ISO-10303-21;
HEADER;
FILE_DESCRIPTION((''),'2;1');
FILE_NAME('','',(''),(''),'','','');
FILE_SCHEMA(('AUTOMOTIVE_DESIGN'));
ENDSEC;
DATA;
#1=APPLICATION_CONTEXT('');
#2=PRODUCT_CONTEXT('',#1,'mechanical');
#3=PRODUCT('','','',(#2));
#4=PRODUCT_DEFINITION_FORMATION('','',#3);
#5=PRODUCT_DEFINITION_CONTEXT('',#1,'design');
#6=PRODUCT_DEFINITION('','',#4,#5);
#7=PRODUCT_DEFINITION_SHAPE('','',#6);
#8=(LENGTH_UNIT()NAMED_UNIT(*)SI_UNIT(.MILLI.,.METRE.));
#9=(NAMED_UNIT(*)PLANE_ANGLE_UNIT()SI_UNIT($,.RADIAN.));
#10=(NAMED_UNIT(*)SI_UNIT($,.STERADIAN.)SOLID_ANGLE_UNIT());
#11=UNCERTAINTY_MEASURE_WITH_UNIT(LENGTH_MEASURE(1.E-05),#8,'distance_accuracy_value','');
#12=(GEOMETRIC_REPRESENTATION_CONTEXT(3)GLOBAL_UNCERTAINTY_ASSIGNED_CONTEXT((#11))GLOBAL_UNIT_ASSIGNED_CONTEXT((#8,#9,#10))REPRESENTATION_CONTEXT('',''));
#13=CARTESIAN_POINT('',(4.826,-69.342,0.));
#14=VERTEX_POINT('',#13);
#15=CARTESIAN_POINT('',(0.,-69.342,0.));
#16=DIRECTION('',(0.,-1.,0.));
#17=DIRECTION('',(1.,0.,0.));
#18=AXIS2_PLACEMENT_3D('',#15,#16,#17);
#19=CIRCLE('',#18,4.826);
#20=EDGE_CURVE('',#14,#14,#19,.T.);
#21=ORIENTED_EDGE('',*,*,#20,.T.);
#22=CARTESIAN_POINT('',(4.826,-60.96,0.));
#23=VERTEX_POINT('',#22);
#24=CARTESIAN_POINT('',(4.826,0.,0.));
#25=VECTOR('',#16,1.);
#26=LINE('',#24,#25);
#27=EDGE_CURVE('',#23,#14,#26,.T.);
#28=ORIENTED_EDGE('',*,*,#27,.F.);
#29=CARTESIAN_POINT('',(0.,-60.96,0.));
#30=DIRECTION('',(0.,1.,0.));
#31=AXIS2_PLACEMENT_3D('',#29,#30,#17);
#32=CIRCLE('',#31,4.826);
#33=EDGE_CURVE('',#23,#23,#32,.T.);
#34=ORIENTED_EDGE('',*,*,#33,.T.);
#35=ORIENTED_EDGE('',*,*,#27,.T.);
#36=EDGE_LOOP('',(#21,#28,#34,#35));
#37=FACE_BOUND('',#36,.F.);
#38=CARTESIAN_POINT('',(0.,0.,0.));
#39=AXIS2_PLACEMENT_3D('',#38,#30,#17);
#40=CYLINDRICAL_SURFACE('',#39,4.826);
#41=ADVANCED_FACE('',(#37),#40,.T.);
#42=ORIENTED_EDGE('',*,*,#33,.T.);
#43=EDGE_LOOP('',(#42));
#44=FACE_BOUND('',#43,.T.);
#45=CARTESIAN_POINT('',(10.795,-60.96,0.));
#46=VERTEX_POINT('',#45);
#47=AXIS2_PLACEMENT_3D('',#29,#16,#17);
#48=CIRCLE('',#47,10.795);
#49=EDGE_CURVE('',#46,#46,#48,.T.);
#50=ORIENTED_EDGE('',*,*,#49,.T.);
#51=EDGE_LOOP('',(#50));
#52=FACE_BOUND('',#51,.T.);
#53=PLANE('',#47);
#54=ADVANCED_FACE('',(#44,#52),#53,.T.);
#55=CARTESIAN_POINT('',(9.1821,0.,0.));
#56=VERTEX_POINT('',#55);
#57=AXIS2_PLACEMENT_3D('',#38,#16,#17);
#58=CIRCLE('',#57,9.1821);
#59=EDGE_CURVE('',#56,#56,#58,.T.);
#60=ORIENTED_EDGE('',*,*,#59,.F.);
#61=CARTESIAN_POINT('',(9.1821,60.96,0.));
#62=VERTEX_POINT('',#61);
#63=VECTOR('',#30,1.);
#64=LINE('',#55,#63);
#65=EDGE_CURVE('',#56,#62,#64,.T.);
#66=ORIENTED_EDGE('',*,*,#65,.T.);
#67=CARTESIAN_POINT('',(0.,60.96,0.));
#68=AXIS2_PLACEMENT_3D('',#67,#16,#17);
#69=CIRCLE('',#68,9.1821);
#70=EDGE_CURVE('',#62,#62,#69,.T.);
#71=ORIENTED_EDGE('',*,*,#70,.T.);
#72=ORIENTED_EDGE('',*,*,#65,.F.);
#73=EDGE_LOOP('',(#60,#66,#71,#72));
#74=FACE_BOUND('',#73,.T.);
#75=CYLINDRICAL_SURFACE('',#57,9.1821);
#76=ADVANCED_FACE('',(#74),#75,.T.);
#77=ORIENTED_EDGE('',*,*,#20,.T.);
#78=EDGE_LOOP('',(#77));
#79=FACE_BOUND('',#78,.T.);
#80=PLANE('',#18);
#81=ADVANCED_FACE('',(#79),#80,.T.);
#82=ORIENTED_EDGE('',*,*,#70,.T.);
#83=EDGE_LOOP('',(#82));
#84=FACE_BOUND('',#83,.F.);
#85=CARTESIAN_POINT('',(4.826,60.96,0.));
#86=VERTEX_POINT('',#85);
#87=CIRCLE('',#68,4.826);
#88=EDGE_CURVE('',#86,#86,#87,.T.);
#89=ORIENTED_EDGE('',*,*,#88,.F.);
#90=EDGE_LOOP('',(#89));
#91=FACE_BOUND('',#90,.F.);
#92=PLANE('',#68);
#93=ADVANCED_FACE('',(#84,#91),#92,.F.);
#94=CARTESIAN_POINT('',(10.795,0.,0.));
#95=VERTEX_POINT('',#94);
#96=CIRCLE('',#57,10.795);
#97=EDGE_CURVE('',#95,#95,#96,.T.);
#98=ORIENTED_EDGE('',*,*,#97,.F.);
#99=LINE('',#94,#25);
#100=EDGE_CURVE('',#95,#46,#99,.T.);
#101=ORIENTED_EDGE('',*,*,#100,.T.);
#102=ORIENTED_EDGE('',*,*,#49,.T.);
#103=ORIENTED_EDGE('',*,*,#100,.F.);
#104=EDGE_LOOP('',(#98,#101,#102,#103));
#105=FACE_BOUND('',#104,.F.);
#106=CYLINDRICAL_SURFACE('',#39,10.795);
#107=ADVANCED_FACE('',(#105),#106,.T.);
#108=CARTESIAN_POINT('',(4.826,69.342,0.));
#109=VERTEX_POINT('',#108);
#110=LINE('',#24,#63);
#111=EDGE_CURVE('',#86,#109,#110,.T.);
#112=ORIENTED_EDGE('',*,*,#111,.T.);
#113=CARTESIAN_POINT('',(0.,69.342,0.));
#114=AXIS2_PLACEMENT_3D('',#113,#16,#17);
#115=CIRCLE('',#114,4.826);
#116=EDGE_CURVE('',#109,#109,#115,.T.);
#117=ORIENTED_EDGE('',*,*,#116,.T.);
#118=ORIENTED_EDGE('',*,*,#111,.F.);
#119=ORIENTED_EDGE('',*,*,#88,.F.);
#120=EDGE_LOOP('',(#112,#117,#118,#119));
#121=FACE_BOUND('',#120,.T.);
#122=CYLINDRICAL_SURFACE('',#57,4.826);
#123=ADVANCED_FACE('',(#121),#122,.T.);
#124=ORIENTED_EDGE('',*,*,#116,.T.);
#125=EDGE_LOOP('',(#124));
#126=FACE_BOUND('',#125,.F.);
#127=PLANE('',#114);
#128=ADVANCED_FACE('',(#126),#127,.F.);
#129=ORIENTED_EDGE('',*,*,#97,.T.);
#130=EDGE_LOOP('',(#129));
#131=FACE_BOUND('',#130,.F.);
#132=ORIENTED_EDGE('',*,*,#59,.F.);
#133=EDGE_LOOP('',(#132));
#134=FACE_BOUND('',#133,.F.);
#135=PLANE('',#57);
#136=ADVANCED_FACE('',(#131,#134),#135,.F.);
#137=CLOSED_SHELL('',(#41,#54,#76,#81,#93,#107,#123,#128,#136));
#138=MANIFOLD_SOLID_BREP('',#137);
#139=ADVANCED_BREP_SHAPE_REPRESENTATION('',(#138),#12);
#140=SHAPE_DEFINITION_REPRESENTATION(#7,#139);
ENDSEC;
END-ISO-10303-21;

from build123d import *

# Parameters (mm, degrees)
F0_R     = 10.795
F0_R_2   = 9.1821
F0_R_3   = 4.826
F1_DEPTH = 60.96
F2_DEPTH = 69.342
F3_DEPTH = 60.96
F4_DEPTH = 69.342


with BuildPart() as f1:
    # F0 (on Front) → F1 (new body)
    with BuildSketch(Plane.XZ):
        Circle(F0_R)
        Circle(F0_R_2, mode=Mode.SUBTRACT)
        Circle(F0_R_2)
        Circle(F0_R_3, mode=Mode.SUBTRACT)
        Circle(F0_R_3)
    extrude(amount=F1_DEPTH)

    # F0 (on Front) → F2 (join)
    with BuildSketch(Plane.XZ):
        Circle(F0_R_3)
    extrude(amount=F2_DEPTH)

    # F0 (on Front) → F3 (join)
    with BuildSketch(Plane.XZ):
        Circle(F0_R_2)
        Circle(F0_R_3, mode=Mode.SUBTRACT)
        Circle(F0_R_3)
    extrude(amount=-F3_DEPTH)

    # F0 (on Front) → F4 (join)
    with BuildSketch(Plane.XZ):
        Circle(F0_R_3)
    extrude(amount=-F4_DEPTH)


solid = f1.part
